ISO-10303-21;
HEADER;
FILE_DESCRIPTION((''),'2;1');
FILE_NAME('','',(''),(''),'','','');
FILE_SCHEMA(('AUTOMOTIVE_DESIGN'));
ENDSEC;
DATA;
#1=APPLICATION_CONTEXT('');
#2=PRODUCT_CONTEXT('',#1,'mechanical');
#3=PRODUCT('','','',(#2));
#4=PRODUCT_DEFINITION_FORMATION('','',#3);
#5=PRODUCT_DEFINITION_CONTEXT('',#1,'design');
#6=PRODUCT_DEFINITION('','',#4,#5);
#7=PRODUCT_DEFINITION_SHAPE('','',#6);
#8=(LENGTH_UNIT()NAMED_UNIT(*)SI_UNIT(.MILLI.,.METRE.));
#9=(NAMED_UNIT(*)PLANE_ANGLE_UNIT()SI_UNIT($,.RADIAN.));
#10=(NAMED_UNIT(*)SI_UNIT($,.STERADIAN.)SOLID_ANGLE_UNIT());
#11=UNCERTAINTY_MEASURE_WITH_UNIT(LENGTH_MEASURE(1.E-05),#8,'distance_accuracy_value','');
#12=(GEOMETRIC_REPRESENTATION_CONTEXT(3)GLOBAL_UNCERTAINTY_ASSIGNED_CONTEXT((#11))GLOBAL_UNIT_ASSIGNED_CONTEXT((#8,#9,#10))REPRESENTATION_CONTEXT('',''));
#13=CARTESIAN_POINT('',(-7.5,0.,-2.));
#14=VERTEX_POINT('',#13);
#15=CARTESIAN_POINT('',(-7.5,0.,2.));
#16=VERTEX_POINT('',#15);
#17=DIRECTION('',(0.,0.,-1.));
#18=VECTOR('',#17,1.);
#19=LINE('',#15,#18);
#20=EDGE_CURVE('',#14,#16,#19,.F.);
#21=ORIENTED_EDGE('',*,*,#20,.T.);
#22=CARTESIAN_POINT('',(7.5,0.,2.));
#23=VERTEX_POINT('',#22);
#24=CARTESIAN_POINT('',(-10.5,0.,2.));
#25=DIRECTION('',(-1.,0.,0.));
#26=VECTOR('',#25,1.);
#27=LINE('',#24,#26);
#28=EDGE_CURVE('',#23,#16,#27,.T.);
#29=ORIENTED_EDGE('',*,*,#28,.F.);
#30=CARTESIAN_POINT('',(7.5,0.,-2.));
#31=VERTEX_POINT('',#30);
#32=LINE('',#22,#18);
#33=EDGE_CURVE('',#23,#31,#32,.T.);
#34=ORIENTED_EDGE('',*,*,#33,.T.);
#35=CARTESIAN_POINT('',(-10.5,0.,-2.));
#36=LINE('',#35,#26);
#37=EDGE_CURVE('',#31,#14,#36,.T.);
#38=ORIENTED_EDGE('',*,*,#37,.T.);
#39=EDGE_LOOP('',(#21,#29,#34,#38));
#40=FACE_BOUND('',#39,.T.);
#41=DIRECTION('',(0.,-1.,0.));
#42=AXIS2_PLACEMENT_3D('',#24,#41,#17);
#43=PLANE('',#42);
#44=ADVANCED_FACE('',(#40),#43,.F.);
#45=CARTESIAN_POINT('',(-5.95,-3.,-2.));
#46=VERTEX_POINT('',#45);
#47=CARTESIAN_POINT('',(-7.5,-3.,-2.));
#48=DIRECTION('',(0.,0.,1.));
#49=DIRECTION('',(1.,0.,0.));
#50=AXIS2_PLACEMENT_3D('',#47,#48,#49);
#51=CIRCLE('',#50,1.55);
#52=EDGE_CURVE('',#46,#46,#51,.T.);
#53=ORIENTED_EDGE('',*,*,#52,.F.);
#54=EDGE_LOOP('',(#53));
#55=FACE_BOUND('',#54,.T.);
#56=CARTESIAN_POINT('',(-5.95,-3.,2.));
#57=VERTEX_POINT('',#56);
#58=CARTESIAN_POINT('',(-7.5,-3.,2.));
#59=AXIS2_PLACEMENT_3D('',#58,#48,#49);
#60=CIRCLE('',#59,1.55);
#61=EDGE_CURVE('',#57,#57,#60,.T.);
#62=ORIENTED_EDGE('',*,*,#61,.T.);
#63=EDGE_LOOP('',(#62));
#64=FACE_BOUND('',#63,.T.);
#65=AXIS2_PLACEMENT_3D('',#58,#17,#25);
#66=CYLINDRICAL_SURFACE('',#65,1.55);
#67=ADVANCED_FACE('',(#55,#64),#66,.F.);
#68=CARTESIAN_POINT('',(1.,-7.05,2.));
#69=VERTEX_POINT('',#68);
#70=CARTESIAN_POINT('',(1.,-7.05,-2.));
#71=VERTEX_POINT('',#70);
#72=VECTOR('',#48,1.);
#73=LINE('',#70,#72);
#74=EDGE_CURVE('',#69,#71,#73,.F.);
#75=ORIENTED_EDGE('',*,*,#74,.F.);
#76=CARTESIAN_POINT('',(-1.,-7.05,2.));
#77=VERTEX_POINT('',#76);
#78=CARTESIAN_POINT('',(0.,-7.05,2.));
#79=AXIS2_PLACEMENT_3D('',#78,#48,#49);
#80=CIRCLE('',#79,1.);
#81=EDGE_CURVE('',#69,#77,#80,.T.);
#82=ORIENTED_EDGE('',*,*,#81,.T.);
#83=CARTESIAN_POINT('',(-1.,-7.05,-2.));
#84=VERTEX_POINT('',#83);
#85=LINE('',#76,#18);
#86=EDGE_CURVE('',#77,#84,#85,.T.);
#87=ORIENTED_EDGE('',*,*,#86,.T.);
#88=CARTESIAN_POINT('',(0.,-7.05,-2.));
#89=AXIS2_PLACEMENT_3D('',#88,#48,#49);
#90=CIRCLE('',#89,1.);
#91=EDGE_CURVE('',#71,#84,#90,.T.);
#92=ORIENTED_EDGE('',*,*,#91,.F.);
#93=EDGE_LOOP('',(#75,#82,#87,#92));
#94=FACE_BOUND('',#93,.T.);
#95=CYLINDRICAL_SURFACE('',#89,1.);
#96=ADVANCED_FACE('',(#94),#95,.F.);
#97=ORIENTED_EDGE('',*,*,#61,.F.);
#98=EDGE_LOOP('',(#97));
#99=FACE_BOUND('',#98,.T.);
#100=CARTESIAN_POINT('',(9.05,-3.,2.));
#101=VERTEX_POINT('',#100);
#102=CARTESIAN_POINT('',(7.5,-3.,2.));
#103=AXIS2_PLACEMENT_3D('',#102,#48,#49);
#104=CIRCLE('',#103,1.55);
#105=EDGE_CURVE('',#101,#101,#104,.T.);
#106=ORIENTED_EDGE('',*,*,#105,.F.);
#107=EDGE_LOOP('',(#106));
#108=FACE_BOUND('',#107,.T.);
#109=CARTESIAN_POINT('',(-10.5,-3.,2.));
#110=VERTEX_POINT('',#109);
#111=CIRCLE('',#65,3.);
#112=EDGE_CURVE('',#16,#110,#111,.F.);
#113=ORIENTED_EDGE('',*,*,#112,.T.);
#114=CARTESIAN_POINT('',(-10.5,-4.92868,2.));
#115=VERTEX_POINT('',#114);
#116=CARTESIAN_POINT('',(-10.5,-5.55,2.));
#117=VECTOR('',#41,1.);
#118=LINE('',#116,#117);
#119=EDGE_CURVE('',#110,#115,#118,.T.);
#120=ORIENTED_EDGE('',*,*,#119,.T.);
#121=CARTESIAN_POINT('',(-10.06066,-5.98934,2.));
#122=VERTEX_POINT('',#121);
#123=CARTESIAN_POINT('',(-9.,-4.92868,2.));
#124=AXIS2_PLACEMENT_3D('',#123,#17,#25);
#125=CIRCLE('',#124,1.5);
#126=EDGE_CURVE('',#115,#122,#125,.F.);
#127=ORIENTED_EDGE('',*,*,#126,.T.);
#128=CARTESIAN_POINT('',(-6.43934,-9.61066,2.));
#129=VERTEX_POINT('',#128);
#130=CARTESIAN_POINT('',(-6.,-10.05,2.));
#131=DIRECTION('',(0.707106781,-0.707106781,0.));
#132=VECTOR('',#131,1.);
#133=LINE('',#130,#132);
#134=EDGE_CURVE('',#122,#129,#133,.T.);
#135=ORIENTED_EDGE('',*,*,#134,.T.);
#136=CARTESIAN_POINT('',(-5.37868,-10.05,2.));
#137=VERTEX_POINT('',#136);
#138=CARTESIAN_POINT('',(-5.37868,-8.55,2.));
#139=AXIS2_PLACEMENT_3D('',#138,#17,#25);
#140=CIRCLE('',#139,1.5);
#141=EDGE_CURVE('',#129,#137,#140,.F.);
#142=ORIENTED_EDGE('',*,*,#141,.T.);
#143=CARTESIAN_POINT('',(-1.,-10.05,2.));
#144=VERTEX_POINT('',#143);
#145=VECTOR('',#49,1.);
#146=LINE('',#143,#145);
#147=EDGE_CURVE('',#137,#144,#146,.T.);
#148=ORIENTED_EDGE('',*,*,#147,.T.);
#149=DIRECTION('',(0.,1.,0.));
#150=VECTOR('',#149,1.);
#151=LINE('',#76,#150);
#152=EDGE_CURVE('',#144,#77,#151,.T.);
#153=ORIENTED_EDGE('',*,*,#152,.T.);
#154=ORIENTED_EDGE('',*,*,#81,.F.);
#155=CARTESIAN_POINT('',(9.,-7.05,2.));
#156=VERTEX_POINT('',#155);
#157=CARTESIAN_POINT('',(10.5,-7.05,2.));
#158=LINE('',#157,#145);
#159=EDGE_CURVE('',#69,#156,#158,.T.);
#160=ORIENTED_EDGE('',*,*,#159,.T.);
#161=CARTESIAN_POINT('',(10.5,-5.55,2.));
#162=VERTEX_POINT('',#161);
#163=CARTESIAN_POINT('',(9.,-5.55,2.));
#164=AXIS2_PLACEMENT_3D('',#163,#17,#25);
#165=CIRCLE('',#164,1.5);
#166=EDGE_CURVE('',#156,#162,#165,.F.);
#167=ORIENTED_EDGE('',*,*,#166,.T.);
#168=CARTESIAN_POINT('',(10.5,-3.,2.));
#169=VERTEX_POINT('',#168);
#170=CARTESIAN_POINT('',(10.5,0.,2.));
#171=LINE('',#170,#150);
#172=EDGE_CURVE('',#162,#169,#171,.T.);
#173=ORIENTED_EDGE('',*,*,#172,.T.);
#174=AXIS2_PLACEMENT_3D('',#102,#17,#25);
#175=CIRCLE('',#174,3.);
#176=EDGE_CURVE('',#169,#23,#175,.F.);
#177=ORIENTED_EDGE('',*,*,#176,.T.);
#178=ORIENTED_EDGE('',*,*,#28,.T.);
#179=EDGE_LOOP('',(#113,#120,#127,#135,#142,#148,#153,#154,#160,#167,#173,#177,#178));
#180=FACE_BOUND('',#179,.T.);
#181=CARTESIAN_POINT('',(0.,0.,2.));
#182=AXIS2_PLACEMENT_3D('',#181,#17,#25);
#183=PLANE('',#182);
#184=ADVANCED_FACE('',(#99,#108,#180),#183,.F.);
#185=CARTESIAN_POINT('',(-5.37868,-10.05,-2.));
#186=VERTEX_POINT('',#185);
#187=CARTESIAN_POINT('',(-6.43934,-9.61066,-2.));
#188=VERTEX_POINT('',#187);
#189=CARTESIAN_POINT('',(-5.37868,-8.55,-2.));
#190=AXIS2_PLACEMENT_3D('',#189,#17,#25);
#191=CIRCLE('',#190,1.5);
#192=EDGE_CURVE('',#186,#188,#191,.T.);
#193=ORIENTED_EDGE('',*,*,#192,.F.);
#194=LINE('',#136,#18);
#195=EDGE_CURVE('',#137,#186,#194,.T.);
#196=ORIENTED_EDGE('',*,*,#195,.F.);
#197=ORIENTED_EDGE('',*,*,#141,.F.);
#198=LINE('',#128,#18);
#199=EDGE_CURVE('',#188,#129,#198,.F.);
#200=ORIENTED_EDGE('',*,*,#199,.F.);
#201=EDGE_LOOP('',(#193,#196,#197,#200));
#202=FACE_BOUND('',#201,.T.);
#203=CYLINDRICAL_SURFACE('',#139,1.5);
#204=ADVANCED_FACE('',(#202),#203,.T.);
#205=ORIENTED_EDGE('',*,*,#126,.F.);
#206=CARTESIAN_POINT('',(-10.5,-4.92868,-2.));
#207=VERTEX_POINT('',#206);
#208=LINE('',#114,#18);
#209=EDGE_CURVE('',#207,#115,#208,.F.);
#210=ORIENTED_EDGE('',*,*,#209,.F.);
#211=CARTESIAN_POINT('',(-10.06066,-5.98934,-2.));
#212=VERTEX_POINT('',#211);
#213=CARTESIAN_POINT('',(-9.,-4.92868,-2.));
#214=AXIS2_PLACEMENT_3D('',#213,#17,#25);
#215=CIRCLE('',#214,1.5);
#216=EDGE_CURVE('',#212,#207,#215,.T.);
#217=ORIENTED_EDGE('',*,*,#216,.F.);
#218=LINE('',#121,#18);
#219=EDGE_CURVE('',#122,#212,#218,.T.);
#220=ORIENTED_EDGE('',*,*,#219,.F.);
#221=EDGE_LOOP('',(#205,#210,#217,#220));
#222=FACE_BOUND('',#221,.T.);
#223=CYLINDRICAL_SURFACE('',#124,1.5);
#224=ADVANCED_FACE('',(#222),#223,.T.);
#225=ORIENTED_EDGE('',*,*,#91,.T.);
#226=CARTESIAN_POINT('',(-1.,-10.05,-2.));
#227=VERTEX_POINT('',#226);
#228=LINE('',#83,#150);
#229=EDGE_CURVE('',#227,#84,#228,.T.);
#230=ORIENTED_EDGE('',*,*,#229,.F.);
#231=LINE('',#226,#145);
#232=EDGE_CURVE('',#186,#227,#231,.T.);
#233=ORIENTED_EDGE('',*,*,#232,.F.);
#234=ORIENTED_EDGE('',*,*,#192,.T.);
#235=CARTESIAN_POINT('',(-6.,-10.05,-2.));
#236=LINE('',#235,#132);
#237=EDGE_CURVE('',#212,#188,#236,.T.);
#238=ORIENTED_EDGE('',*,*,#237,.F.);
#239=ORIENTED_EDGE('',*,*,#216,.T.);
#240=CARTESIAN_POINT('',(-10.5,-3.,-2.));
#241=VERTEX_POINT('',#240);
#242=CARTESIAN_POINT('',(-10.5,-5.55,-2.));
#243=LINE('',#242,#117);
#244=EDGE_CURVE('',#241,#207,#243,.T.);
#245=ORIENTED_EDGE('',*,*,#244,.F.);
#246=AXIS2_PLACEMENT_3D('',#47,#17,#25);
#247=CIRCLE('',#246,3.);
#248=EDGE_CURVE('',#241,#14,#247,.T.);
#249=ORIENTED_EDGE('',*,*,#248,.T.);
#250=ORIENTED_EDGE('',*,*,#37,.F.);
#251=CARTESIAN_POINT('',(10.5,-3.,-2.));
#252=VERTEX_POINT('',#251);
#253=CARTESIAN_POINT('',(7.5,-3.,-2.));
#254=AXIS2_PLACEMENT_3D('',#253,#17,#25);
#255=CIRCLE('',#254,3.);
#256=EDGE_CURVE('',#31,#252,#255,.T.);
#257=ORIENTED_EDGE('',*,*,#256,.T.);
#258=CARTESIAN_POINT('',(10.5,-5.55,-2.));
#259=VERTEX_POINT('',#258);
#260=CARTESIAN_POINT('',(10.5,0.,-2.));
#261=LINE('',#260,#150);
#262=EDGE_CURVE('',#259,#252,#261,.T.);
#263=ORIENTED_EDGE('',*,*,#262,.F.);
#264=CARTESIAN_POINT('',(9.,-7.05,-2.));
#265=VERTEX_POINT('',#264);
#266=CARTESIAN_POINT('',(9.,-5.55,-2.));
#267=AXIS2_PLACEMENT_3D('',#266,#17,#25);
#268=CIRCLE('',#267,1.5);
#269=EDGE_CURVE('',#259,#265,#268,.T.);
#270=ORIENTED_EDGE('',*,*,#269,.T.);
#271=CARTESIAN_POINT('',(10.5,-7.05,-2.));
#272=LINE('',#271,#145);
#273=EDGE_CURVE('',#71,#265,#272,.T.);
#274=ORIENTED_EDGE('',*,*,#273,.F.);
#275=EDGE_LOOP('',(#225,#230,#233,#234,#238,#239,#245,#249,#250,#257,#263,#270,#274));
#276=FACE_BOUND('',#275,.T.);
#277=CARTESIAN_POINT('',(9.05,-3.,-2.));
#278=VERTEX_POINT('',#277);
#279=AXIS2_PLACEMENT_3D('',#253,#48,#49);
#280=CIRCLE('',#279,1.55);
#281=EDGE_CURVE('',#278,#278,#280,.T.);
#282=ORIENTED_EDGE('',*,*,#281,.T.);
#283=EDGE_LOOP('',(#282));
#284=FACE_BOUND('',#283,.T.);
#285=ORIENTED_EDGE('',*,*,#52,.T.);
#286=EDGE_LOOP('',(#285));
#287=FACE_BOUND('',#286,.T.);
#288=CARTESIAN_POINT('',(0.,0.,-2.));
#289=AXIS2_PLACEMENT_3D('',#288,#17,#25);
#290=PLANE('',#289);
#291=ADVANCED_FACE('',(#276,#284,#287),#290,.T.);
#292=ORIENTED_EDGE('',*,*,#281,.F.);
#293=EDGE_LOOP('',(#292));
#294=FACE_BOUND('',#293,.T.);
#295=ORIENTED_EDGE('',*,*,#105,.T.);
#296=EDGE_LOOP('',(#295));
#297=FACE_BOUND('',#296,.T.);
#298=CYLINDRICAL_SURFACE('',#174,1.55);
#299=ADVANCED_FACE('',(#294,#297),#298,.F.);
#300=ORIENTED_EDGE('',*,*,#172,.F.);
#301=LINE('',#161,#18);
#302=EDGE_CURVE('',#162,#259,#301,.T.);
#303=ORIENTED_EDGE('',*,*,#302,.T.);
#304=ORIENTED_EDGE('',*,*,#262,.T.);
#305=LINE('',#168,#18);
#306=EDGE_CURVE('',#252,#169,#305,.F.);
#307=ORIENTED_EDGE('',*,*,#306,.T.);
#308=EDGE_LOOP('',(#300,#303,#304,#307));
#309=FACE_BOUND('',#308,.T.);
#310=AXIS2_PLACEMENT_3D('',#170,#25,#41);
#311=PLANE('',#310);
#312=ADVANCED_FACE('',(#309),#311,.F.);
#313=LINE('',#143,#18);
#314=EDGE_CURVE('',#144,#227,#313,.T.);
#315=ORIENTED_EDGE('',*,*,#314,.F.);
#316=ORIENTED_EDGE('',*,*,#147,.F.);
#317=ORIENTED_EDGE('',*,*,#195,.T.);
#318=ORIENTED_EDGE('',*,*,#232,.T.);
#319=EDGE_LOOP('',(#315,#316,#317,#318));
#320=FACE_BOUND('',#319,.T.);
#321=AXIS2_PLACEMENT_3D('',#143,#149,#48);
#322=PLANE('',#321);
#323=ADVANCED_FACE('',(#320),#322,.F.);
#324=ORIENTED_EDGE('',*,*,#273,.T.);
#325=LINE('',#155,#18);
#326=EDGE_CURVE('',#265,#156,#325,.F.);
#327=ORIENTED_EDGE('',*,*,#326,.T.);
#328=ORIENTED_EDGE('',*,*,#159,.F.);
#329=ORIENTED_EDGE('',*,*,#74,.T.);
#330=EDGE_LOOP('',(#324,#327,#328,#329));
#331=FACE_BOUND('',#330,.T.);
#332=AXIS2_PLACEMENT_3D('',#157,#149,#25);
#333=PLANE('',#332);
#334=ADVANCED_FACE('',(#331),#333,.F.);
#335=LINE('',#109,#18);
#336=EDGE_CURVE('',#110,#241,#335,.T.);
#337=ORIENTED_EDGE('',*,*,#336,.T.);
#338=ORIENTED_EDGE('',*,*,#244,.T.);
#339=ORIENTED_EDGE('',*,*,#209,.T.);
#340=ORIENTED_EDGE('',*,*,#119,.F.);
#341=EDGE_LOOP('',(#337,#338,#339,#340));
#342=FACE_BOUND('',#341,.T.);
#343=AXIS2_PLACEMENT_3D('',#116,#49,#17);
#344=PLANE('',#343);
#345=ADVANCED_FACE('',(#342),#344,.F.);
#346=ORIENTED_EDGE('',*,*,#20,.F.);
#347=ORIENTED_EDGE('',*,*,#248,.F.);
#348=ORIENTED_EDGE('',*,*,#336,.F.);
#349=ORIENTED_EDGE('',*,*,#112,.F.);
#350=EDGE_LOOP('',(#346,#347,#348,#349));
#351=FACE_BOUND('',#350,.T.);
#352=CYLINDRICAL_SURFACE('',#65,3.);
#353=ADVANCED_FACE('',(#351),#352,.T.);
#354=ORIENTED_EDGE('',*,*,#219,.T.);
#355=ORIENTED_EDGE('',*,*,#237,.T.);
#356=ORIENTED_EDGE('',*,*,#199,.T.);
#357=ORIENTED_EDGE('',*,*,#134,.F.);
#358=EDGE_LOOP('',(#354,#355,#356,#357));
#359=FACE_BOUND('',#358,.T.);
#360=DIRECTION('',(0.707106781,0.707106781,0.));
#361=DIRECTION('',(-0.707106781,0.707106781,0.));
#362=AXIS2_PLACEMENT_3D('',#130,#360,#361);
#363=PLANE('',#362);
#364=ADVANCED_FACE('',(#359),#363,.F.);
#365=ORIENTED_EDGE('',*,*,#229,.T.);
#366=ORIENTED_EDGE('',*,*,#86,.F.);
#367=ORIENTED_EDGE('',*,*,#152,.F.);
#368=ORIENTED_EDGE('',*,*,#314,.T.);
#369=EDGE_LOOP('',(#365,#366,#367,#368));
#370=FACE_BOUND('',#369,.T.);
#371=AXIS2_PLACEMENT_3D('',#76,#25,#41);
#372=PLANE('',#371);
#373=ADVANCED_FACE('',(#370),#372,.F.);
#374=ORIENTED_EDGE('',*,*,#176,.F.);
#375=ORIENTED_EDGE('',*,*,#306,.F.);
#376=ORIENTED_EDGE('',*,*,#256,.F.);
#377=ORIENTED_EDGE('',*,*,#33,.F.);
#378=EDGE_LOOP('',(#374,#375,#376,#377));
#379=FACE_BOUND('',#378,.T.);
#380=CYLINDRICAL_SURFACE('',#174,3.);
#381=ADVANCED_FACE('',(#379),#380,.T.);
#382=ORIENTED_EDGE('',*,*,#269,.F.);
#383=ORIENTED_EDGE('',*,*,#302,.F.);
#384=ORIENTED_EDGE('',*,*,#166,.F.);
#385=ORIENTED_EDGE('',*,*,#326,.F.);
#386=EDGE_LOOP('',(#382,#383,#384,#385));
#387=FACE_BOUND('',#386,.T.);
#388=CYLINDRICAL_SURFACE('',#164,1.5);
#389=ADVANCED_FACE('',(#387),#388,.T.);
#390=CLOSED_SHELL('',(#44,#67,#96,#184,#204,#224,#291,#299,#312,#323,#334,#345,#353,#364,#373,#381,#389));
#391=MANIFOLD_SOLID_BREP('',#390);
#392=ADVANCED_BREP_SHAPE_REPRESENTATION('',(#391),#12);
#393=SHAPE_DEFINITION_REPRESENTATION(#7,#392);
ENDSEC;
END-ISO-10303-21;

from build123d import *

# Parameters (mm, degrees)
SKETCH_1_R          = 1.55
EXTRUDE_1_DEPTH     = 2
FILLET_1_R          = 3
FILLET_2_R          = 1.5
SKETCH_3_R          = 1
CUT_EXTRUDE_1_DEPTH = 5


with BuildPart() as part:
    # 草图1 → 凸台-拉伸1 (new body, symmetric)
    with BuildSketch(Plane.XY):
        Polygon((-10.5, 0), (10.5, 0), (10.5, -7.05), (-1, -7.05), (-1, -10.05), (-6, -10.05), (-10.5, -5.55), align=None)
        with Locations((-7.5, -3)):
            Circle(SKETCH_1_R, mode=Mode.SUBTRACT)
        with Locations((7.5, -3)):
            Circle(SKETCH_1_R, mode=Mode.SUBTRACT)
    extrude(amount=EXTRUDE_1_DEPTH, both=True)

    # 圆角1
    fillet_1_edges = [part.edges().sort_by_distance(p)[0] for p in [
        (-10.5, 0, 0),
        (10.5, 0, 0),
    ]]
    fillet(fillet_1_edges, radius=FILLET_1_R)

    # 圆角2
    fillet_2_edges = [part.edges().sort_by_distance(p)[0] for p in [
        (10.5, -7.05, 0),
        (-6, -10.05, 0),
        (-10.5, -5.55, 0),
    ]]
    fillet(fillet_2_edges, radius=FILLET_2_R)

    # 草图3 → 切除-拉伸1 (cut, through all)
    with BuildSketch(Plane.XY.offset(2)):
        with Locations((0, -7.05)):
            Circle(SKETCH_3_R)
    extrude(amount=-CUT_EXTRUDE_1_DEPTH, mode=Mode.SUBTRACT)


solid = part.part
